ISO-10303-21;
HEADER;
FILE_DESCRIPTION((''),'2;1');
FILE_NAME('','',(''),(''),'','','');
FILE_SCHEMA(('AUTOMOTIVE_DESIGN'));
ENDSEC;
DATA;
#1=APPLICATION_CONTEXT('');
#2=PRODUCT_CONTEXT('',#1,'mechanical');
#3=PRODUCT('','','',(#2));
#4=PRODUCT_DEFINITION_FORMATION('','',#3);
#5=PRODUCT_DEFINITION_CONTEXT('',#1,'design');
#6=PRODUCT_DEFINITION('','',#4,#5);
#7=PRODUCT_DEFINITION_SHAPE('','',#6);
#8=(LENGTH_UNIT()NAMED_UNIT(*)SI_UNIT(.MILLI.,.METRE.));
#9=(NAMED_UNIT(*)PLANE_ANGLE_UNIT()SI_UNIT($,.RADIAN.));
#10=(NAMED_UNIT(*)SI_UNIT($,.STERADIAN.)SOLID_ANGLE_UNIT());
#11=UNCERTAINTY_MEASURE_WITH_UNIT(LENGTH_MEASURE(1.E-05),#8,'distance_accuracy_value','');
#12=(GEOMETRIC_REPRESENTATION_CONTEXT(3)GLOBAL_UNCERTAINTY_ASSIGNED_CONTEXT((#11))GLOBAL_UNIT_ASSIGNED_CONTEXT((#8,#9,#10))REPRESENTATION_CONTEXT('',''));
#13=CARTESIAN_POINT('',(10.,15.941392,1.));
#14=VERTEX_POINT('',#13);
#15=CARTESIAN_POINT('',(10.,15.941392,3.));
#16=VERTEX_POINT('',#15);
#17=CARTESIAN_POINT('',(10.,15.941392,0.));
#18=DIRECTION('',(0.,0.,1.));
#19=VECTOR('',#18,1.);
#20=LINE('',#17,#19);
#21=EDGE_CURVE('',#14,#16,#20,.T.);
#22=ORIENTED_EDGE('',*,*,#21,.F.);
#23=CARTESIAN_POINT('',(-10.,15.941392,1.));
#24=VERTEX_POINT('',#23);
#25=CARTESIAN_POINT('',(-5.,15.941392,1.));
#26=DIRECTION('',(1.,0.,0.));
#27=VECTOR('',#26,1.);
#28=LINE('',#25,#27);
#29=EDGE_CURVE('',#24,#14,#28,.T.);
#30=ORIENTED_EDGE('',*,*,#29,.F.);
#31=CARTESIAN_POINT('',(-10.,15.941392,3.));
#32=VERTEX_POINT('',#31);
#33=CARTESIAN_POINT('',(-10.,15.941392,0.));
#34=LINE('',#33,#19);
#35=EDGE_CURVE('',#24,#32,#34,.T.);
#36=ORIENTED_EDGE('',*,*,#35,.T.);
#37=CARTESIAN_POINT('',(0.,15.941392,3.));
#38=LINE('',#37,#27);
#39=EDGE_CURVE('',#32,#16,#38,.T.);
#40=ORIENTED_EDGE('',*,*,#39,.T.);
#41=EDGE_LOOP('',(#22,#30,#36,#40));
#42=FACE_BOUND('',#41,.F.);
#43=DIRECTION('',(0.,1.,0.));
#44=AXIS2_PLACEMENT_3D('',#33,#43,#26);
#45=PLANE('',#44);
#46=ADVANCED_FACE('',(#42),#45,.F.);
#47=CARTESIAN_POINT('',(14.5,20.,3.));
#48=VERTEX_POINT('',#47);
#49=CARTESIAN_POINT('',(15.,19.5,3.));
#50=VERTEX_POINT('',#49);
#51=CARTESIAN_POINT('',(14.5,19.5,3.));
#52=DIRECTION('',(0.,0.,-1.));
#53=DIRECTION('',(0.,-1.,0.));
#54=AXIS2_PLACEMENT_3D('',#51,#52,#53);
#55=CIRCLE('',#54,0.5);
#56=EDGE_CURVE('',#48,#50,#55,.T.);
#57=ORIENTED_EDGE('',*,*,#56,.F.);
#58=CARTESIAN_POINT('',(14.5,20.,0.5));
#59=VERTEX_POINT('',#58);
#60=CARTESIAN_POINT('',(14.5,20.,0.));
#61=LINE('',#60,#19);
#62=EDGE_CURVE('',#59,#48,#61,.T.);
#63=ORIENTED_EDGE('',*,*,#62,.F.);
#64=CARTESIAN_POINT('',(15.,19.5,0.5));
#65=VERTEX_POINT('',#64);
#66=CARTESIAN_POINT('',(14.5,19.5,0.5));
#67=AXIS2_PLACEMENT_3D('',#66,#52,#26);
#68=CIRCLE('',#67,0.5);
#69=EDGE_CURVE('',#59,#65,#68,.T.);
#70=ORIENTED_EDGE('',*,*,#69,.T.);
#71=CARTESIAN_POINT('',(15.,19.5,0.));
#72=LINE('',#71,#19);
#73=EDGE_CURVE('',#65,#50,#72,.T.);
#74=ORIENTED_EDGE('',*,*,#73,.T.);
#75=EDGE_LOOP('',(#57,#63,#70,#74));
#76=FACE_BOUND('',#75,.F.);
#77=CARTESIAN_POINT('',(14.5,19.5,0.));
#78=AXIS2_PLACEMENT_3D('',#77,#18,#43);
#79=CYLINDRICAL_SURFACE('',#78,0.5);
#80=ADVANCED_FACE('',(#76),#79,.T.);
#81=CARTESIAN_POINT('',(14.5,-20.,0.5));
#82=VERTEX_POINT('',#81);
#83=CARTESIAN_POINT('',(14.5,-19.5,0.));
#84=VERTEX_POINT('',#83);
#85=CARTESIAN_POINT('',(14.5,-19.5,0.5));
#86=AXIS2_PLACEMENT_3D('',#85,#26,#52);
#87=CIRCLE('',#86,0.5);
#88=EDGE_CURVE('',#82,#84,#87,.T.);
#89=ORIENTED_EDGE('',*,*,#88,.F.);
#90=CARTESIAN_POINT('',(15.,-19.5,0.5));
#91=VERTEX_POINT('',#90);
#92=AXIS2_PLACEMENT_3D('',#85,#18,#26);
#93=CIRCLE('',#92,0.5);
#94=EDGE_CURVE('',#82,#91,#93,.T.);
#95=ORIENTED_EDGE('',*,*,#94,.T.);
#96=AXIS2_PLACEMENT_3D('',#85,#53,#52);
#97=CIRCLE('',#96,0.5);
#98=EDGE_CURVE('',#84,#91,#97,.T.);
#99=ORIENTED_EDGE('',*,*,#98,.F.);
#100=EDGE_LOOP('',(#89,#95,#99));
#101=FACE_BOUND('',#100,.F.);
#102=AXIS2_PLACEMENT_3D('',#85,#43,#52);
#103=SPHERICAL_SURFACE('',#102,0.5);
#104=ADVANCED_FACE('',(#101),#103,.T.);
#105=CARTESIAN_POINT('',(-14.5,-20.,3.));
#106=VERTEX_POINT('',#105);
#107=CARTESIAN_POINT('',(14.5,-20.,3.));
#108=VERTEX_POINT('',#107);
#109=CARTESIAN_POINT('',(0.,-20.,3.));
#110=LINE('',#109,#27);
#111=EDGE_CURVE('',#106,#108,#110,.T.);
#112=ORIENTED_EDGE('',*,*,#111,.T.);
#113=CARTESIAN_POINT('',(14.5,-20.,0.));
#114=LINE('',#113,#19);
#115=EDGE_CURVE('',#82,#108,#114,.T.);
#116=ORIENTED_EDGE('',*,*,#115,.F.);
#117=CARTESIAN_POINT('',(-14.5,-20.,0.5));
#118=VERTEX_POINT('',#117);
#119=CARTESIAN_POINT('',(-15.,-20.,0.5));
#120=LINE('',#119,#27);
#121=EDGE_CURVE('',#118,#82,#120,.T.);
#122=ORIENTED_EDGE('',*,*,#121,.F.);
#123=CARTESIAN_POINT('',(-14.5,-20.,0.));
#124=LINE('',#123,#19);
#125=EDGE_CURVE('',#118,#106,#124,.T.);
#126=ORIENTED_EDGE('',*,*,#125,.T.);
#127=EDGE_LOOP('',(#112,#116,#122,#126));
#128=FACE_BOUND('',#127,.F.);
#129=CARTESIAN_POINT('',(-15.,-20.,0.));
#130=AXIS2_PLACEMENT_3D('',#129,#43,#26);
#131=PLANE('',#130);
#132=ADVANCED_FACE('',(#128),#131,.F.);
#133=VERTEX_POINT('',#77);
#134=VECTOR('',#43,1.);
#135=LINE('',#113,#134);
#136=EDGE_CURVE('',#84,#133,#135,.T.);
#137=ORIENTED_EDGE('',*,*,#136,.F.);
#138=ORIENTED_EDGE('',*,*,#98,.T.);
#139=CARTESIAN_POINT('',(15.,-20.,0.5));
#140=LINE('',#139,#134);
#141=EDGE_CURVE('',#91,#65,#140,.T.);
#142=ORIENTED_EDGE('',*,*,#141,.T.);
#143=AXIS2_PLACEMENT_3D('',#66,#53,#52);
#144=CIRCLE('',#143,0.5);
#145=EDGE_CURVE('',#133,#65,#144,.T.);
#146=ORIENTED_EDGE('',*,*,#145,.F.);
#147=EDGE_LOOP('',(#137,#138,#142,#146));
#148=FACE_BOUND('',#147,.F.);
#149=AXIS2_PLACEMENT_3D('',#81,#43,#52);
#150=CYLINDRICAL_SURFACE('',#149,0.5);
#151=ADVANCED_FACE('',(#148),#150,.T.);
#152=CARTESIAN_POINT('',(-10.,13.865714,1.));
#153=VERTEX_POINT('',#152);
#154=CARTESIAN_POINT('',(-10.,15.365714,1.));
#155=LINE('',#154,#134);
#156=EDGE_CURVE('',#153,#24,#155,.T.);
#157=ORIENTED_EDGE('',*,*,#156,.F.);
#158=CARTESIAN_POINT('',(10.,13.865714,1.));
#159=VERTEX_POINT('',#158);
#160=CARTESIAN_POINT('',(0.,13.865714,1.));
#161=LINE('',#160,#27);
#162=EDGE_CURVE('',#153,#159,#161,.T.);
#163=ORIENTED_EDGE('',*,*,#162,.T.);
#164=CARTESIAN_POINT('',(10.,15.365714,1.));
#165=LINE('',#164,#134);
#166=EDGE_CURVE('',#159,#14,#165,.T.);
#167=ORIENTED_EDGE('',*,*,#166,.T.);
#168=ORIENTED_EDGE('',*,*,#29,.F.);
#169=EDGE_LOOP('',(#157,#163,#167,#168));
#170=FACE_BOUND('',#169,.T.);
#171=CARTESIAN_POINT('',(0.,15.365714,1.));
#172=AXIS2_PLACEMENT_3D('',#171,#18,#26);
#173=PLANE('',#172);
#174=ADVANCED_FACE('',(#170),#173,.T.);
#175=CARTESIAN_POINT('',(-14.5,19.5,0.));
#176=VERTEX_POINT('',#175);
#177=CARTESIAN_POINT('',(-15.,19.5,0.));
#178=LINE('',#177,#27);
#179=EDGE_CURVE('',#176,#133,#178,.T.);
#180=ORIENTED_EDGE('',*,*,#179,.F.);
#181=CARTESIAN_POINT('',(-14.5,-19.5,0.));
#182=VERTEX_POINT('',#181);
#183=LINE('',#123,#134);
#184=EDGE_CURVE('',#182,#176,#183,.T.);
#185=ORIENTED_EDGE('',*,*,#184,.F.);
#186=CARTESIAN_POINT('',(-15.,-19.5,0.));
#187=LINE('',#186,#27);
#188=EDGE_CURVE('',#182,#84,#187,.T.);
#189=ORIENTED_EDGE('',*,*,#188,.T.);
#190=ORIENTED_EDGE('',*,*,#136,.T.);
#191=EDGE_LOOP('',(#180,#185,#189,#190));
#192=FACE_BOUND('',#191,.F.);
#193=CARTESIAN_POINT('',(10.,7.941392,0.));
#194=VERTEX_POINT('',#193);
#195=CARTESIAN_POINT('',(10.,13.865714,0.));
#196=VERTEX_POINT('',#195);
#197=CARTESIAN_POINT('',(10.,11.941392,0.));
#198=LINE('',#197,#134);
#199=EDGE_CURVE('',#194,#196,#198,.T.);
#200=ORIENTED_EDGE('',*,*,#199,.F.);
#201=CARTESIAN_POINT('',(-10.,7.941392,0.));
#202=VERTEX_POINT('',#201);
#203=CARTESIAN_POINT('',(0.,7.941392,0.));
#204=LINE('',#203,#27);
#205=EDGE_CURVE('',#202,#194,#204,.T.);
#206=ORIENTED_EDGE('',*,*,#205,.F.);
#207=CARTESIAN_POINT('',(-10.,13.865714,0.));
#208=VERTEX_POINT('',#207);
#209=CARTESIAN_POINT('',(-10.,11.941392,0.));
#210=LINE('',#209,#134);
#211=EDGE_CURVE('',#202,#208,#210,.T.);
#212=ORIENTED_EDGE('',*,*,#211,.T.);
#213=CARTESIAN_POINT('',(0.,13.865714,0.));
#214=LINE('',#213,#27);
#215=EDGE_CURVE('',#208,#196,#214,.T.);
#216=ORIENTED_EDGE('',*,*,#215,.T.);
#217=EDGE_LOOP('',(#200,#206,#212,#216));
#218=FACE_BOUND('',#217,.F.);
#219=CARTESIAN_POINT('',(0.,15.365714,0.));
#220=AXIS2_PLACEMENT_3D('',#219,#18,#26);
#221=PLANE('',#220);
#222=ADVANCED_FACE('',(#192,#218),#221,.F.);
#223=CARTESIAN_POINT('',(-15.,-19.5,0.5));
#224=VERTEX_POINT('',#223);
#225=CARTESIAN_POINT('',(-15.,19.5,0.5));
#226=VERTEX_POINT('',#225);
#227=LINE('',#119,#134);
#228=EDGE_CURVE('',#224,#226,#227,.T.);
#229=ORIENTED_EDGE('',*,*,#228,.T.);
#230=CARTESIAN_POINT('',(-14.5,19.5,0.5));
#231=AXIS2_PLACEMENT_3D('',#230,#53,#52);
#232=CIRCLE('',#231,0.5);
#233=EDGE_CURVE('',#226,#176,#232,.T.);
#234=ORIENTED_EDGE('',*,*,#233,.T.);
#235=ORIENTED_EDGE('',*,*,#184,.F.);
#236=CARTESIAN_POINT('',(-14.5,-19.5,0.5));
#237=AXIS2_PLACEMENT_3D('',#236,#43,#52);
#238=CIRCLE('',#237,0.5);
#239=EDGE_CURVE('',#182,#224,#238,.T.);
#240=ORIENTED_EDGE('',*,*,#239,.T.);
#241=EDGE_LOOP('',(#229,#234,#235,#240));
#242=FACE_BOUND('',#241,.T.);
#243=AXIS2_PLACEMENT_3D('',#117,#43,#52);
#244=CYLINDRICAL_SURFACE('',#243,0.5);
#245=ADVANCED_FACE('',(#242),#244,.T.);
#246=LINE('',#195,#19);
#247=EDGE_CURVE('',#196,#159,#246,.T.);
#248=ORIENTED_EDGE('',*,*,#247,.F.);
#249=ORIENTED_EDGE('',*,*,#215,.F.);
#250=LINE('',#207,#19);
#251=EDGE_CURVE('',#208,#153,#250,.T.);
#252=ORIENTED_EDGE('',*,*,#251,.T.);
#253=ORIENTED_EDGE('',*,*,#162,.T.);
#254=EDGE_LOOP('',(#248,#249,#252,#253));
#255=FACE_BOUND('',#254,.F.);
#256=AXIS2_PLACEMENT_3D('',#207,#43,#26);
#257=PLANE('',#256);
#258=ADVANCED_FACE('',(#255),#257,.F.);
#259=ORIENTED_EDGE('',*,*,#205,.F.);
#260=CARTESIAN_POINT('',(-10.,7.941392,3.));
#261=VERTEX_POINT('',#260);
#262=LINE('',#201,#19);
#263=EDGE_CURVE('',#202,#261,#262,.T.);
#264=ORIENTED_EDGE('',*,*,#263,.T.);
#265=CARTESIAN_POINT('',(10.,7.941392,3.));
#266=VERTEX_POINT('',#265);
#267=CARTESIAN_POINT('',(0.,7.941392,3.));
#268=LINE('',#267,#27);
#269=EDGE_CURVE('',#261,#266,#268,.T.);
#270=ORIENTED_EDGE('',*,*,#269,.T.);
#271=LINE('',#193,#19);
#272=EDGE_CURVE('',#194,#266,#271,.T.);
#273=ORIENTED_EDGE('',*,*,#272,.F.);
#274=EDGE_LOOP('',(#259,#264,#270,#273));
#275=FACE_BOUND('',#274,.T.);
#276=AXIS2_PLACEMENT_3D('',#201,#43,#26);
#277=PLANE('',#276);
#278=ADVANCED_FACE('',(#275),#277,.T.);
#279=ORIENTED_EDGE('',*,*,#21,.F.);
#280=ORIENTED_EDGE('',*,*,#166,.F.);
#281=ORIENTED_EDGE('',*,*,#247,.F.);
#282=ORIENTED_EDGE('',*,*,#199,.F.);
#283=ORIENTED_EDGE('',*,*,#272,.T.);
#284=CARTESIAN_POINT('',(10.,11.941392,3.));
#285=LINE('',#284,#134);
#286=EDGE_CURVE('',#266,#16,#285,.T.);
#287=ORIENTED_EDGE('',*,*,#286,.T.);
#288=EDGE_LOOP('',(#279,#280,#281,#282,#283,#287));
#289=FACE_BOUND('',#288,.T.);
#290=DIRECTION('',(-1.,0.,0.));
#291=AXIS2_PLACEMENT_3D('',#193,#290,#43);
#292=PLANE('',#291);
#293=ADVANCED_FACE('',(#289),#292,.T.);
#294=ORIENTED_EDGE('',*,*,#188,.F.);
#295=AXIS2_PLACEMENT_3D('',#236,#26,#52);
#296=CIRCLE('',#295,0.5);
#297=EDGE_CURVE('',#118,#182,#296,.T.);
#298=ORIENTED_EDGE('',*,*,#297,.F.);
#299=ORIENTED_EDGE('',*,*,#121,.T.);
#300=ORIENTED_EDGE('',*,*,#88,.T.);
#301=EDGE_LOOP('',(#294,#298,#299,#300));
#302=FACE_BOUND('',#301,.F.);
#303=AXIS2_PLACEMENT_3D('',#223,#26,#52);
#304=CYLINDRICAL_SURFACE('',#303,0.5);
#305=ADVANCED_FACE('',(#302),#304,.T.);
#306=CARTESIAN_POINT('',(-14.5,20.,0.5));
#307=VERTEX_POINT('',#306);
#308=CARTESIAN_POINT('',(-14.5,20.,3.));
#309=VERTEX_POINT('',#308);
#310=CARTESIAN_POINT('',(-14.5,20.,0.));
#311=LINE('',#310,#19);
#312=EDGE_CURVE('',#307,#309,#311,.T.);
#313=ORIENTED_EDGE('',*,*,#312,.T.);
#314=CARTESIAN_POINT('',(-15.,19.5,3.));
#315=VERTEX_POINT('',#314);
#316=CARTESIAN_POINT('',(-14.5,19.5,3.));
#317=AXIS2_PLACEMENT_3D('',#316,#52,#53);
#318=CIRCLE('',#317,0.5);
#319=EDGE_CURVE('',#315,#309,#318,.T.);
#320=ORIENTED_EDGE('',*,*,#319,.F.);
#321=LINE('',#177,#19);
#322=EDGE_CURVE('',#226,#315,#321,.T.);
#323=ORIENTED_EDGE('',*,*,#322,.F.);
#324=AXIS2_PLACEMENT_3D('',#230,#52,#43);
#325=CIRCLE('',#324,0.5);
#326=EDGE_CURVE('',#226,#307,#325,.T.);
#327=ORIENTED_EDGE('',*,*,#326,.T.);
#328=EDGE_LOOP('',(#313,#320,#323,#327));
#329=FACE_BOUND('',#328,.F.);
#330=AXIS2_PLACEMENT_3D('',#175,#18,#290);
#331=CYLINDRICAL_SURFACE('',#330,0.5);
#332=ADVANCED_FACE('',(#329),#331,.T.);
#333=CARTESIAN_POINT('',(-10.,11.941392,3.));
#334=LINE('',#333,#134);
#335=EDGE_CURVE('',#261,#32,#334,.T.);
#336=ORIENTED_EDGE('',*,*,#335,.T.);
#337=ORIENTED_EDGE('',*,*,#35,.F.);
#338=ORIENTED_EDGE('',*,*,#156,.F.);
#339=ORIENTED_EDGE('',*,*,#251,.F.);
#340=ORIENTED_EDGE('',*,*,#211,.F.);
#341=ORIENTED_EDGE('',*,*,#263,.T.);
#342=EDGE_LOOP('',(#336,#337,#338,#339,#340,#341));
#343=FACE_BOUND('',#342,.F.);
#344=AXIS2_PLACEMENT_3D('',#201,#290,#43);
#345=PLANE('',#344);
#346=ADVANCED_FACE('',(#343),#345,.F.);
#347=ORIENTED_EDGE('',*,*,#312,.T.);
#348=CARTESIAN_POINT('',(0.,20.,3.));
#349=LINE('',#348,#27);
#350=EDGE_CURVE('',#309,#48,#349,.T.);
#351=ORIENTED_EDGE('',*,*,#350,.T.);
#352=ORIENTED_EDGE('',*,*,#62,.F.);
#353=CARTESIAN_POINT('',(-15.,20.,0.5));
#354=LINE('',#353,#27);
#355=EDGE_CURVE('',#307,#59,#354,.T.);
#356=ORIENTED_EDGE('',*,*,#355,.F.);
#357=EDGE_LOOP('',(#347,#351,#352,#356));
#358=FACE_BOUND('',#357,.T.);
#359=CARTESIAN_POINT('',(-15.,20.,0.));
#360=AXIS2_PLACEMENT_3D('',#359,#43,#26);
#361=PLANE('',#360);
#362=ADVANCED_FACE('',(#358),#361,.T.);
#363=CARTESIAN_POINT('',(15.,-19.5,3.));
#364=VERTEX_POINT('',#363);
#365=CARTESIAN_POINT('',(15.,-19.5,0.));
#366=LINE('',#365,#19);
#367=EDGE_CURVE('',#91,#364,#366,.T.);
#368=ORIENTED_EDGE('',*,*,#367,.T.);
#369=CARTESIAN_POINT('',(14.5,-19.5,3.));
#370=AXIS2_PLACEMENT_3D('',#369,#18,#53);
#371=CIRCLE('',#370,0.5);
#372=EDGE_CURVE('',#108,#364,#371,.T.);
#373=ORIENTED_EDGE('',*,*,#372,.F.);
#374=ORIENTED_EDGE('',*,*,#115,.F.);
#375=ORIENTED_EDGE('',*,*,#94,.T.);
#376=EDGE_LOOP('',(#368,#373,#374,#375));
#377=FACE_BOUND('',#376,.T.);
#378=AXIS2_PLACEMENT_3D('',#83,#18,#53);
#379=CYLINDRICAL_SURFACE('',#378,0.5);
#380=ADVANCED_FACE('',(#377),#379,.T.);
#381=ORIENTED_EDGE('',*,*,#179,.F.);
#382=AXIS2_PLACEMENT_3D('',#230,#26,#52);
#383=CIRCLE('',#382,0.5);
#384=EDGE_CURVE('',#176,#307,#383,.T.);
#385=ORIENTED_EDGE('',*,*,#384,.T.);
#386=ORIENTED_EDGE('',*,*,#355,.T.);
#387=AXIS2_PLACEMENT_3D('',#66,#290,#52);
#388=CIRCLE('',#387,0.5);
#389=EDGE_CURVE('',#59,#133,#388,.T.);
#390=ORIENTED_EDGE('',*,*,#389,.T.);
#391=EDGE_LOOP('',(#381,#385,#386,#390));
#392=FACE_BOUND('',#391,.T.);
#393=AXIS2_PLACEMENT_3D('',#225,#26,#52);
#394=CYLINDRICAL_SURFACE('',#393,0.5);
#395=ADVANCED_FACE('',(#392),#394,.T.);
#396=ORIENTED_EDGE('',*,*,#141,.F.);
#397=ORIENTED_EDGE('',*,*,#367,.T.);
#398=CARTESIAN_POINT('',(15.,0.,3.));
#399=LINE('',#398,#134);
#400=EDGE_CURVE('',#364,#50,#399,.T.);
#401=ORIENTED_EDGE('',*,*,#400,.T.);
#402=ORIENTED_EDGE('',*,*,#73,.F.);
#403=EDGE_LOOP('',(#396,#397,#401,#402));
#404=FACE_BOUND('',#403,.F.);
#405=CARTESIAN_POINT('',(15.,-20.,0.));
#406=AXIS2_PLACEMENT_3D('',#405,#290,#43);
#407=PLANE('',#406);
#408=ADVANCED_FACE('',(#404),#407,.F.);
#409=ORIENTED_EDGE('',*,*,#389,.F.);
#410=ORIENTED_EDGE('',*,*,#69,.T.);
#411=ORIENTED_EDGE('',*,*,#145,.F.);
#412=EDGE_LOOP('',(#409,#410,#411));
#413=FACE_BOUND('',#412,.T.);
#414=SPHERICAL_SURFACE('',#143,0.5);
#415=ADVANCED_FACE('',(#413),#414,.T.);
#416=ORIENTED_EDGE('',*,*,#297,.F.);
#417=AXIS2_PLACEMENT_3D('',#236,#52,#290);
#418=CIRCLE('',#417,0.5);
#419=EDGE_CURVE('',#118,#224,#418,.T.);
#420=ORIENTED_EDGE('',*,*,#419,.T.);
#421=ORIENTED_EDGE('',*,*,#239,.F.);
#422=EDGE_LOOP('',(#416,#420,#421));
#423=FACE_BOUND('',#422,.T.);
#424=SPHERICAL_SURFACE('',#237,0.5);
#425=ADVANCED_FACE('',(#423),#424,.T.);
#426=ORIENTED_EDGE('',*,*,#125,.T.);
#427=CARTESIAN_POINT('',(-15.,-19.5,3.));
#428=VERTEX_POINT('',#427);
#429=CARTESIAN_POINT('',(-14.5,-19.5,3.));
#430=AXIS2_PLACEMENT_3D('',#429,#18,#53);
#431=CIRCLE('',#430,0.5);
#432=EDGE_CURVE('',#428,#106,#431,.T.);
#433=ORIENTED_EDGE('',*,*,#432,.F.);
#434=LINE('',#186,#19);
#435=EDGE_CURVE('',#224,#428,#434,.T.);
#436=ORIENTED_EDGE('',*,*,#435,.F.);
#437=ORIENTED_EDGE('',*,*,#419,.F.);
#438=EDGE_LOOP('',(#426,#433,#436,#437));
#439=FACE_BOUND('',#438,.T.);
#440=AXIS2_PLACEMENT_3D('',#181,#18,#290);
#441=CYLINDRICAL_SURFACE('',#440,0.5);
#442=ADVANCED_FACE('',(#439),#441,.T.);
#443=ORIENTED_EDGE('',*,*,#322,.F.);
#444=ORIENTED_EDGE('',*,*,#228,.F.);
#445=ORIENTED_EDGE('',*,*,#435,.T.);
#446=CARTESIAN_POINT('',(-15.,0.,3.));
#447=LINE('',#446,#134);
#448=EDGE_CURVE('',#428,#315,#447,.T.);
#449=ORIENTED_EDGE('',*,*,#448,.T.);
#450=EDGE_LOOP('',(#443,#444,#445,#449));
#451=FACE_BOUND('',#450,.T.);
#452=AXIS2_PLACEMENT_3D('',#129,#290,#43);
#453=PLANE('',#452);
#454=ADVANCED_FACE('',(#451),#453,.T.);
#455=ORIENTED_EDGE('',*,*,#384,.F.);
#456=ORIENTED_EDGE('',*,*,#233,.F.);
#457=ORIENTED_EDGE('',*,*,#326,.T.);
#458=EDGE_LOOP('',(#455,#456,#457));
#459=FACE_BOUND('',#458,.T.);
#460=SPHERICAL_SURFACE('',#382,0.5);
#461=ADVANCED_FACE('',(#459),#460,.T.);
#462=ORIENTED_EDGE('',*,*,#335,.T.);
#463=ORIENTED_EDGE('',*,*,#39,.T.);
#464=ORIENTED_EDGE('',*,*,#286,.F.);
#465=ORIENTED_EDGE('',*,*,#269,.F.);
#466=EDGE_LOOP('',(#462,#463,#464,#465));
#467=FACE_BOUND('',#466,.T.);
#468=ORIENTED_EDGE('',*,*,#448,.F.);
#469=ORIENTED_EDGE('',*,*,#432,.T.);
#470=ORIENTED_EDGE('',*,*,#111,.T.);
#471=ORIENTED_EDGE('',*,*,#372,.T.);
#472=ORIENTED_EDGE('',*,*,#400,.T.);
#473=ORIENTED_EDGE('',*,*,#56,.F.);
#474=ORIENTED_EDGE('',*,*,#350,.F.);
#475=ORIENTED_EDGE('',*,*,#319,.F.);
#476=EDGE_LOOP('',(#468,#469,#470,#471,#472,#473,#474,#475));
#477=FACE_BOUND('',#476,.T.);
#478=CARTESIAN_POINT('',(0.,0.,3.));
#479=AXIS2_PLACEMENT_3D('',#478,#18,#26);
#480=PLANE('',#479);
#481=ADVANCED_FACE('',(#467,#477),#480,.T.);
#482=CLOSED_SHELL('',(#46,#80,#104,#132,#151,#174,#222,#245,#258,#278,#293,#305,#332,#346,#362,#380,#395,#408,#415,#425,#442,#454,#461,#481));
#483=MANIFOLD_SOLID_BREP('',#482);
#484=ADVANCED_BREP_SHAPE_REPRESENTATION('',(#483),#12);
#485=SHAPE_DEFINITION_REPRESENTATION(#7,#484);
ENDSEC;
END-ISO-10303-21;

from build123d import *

# Parameters (mm, degrees)
F0_W     = 30
F0_H     = 40
F0_W_2   = 20
F0_H_2   = 8
F2_DEPTH = 3
F1_W     = 20
F1_H     = 3
F3_DEPTH = 1
F4_R     = 0.5


with BuildPart() as f2:
    # F0 (on Top) → F2 (new body)
    with BuildSketch(Plane.XY):
        Rectangle(F0_W, F0_H)
        with Locations((0, 11.941392)):
            Rectangle(F0_W_2, F0_H_2, mode=Mode.SUBTRACT)
    extrude(amount=F2_DEPTH)

    # F1 (on face) → F3 (join)
    with BuildSketch(Plane.XY):
        with Locations((0, 15.365714)):
            Rectangle(F1_W, F1_H)
    extrude(amount=F3_DEPTH)

    # F4
    f4_edges = [f2.edges().sort_by_distance(p)[0] for p in [
        (15, 0, 0),
        (0, 20, 0),
        (-15, 0, 0),
        (0, -20, 0),
        (-15, -20, 1.5),
        (15, -20, 1.5),
        (-15, 20, 1.5),
        (15, 20, 1.5),
    ]]
    fillet(f4_edges, radius=F4_R)


solid = f2.part
